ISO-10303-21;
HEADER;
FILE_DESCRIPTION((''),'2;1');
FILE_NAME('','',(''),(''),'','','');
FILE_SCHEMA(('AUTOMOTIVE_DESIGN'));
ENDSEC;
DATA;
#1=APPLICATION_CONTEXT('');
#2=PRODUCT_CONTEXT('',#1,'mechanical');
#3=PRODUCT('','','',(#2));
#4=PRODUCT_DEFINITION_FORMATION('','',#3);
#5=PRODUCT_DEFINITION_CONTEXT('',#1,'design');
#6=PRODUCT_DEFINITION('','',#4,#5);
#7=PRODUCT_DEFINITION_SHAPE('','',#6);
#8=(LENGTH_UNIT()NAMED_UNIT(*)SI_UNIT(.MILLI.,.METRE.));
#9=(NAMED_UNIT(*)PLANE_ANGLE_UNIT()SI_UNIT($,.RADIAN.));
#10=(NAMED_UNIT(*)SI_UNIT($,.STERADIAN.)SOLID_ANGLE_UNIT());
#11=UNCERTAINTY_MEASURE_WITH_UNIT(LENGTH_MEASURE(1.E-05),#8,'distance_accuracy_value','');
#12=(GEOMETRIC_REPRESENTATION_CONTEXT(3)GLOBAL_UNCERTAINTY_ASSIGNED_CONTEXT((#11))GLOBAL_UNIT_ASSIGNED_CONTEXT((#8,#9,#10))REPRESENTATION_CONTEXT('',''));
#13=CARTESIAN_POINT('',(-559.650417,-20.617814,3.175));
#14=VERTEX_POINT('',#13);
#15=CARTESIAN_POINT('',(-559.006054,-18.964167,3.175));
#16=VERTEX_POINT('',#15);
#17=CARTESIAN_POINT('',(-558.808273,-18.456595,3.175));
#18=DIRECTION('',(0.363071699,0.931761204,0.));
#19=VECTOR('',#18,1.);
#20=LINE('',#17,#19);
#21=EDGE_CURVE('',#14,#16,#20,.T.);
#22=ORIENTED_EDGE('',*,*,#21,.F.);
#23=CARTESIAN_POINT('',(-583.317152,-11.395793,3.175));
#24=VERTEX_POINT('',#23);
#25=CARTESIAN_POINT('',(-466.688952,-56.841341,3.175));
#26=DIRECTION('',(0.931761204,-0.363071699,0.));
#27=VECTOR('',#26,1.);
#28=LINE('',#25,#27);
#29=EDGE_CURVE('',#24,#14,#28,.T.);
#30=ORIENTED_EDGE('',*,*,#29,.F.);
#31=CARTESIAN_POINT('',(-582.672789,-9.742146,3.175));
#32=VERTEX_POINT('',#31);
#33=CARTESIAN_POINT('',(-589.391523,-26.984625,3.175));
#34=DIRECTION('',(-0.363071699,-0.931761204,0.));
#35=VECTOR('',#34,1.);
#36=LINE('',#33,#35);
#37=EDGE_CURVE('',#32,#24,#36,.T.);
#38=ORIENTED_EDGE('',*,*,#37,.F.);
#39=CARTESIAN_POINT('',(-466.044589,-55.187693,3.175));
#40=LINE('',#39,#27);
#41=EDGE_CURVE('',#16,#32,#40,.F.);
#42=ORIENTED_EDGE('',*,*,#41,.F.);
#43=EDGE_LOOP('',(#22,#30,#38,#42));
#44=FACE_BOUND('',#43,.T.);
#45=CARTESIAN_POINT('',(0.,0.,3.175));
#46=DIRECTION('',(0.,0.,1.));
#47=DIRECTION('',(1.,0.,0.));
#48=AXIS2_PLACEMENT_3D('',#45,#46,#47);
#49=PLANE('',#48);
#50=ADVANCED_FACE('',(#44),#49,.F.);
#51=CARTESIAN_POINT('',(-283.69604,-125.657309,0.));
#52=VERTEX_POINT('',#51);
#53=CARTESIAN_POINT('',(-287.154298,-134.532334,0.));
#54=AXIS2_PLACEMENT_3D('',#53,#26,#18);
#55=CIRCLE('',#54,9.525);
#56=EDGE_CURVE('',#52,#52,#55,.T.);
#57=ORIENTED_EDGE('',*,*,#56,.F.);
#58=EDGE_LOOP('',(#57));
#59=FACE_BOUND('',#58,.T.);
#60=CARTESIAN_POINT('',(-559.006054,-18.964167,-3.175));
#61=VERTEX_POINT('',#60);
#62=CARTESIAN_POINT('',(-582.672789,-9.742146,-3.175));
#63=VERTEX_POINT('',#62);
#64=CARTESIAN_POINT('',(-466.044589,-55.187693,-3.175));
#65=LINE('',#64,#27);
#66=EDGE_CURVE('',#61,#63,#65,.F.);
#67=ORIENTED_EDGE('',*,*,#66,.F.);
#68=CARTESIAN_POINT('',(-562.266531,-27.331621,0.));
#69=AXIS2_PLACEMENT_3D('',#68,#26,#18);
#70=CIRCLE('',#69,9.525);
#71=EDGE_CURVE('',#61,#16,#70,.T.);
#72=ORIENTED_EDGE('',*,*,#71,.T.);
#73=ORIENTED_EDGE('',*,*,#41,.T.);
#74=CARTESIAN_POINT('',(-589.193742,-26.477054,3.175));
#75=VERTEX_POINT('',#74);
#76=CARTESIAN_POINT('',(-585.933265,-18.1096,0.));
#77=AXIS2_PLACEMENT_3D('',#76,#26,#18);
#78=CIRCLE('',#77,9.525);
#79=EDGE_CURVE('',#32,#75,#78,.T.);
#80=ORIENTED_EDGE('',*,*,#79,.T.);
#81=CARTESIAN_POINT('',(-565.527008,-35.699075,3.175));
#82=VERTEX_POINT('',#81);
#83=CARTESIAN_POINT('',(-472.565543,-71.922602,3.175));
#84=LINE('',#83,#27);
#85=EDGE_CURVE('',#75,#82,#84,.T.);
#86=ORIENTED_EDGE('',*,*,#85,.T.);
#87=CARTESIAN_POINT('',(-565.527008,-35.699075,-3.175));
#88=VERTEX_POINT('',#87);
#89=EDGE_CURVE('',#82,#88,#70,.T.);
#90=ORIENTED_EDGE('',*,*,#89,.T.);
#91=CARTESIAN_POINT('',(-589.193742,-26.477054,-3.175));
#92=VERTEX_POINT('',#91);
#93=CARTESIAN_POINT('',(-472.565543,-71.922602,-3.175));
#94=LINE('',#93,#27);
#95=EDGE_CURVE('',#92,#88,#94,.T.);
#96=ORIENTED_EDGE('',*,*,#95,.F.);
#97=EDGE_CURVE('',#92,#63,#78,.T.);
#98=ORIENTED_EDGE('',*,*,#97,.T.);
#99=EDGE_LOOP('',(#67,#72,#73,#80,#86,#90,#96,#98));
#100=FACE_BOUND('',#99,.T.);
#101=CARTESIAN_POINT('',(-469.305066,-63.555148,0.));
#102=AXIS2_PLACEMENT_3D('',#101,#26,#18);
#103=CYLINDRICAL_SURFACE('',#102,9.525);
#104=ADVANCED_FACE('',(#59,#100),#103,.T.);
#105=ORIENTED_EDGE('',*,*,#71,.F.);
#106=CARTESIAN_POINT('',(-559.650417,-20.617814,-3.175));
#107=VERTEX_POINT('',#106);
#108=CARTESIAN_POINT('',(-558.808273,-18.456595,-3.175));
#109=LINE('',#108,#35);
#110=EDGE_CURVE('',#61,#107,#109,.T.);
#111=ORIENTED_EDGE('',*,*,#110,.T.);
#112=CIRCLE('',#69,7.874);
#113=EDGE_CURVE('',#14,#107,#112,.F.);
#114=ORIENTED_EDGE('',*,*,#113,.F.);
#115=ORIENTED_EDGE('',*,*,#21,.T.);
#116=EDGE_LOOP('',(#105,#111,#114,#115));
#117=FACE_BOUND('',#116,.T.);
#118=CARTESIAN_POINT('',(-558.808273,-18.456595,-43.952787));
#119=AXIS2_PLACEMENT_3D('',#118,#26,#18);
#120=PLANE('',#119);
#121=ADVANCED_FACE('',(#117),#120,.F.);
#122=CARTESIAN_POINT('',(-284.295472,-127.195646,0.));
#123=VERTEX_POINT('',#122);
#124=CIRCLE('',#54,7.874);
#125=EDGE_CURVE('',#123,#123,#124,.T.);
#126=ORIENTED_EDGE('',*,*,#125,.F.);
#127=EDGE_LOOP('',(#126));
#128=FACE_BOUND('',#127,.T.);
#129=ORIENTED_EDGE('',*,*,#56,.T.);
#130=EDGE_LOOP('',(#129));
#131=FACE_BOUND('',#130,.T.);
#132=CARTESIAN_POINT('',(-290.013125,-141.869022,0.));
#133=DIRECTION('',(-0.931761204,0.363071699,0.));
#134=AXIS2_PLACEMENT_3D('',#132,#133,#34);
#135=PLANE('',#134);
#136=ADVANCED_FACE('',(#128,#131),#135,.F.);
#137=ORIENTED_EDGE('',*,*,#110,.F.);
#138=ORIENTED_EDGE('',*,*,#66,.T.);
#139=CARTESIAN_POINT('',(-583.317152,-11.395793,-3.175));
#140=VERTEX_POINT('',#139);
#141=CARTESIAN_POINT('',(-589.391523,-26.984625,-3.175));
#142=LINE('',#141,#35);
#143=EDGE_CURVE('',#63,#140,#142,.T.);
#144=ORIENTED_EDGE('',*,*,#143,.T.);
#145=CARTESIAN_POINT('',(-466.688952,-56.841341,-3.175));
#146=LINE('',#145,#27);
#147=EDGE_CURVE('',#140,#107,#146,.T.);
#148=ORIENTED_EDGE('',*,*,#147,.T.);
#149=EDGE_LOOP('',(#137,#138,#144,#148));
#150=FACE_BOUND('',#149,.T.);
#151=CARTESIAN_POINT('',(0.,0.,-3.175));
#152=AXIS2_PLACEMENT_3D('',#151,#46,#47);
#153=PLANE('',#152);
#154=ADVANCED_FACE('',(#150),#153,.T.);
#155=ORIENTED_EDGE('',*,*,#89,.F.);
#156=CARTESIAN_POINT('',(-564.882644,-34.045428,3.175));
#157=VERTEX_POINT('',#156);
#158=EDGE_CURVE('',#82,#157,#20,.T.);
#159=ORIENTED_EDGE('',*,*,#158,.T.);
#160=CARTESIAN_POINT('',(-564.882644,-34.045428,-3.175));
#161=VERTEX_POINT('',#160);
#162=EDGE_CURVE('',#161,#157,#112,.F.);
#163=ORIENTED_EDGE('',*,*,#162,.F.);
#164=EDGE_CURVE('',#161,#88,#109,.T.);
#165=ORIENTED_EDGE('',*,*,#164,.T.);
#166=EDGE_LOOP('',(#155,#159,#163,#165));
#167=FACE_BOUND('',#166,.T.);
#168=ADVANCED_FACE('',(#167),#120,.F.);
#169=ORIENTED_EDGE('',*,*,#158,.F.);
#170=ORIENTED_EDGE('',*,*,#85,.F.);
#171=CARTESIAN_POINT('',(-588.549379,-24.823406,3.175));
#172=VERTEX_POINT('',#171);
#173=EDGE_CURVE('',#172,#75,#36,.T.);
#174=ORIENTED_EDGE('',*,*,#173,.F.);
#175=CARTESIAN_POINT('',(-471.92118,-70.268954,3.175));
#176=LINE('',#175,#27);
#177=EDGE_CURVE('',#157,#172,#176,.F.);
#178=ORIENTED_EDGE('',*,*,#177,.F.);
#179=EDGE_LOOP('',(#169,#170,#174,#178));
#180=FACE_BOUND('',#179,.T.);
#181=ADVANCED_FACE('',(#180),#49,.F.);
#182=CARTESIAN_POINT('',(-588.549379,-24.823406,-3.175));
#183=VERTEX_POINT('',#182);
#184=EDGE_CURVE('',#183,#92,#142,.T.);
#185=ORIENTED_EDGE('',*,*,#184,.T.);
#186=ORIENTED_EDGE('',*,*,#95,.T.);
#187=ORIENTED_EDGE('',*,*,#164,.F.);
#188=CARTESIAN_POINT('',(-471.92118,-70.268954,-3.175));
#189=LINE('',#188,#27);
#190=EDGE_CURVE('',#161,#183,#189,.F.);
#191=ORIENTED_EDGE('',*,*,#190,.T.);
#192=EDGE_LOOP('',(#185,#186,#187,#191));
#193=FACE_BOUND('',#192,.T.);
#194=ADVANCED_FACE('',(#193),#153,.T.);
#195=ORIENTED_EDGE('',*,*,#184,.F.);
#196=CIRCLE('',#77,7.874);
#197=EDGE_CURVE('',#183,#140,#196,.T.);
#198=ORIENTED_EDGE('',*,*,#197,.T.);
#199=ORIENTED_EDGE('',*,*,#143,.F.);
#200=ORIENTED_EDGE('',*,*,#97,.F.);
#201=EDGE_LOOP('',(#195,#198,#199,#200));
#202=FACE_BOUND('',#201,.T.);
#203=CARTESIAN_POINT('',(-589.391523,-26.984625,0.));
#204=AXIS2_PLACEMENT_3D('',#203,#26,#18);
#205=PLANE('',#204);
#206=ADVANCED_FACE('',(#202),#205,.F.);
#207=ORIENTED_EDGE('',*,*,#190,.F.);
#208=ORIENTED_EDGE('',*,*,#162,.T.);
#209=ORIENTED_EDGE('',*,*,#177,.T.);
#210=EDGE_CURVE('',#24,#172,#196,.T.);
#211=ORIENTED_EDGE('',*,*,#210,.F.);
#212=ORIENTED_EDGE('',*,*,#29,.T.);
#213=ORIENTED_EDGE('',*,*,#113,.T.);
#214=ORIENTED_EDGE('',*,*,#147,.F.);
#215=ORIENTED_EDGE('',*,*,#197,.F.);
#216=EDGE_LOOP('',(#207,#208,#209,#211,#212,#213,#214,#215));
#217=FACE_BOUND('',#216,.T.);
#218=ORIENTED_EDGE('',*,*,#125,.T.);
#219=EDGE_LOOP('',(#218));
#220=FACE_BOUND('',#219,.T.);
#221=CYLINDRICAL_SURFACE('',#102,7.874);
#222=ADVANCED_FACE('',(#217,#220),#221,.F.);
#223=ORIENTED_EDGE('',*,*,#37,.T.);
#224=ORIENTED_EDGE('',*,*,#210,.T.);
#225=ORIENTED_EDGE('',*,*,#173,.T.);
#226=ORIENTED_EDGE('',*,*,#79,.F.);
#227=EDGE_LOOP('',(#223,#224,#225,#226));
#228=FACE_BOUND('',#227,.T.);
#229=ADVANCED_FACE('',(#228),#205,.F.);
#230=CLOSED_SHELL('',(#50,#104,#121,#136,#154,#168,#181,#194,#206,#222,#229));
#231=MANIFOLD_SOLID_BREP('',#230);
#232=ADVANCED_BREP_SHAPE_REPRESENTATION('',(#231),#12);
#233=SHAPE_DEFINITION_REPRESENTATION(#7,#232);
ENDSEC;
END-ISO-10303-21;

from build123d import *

# Parameters (mm, degrees)
CUT_EXTRUDE1_START = -3.175
CUT_EXTRUDE1_DEPTH = 6.35


with BuildPart() as part:
    # Sketch1 → Revolve1 (revolve)
    with BuildSketch(Plane.XY):
        Polygon((-290.013124818, -141.869021758), (-290.612556192, -143.407359506), (-589.391523341, -26.984625229), (-588.792091967, -25.446287481), align=None)
    revolve(axis=Axis((-469.305066075, -63.555147651, 0), (-0.931761204, 0.363071699, 0)))

    # Sketch2 → Cut-Extrude1 (cut)
    with BuildSketch(Plane.XY.offset(CUT_EXTRUDE1_START)):
        Polygon((-558.808272896, -18.456595432), (-565.724788753, -36.206646372), (-589.391523341, -26.984625229), (-582.475007484, -9.234574289), align=None)
    extrude(amount=CUT_EXTRUDE1_DEPTH, mode=Mode.SUBTRACT)


solid = part.part
